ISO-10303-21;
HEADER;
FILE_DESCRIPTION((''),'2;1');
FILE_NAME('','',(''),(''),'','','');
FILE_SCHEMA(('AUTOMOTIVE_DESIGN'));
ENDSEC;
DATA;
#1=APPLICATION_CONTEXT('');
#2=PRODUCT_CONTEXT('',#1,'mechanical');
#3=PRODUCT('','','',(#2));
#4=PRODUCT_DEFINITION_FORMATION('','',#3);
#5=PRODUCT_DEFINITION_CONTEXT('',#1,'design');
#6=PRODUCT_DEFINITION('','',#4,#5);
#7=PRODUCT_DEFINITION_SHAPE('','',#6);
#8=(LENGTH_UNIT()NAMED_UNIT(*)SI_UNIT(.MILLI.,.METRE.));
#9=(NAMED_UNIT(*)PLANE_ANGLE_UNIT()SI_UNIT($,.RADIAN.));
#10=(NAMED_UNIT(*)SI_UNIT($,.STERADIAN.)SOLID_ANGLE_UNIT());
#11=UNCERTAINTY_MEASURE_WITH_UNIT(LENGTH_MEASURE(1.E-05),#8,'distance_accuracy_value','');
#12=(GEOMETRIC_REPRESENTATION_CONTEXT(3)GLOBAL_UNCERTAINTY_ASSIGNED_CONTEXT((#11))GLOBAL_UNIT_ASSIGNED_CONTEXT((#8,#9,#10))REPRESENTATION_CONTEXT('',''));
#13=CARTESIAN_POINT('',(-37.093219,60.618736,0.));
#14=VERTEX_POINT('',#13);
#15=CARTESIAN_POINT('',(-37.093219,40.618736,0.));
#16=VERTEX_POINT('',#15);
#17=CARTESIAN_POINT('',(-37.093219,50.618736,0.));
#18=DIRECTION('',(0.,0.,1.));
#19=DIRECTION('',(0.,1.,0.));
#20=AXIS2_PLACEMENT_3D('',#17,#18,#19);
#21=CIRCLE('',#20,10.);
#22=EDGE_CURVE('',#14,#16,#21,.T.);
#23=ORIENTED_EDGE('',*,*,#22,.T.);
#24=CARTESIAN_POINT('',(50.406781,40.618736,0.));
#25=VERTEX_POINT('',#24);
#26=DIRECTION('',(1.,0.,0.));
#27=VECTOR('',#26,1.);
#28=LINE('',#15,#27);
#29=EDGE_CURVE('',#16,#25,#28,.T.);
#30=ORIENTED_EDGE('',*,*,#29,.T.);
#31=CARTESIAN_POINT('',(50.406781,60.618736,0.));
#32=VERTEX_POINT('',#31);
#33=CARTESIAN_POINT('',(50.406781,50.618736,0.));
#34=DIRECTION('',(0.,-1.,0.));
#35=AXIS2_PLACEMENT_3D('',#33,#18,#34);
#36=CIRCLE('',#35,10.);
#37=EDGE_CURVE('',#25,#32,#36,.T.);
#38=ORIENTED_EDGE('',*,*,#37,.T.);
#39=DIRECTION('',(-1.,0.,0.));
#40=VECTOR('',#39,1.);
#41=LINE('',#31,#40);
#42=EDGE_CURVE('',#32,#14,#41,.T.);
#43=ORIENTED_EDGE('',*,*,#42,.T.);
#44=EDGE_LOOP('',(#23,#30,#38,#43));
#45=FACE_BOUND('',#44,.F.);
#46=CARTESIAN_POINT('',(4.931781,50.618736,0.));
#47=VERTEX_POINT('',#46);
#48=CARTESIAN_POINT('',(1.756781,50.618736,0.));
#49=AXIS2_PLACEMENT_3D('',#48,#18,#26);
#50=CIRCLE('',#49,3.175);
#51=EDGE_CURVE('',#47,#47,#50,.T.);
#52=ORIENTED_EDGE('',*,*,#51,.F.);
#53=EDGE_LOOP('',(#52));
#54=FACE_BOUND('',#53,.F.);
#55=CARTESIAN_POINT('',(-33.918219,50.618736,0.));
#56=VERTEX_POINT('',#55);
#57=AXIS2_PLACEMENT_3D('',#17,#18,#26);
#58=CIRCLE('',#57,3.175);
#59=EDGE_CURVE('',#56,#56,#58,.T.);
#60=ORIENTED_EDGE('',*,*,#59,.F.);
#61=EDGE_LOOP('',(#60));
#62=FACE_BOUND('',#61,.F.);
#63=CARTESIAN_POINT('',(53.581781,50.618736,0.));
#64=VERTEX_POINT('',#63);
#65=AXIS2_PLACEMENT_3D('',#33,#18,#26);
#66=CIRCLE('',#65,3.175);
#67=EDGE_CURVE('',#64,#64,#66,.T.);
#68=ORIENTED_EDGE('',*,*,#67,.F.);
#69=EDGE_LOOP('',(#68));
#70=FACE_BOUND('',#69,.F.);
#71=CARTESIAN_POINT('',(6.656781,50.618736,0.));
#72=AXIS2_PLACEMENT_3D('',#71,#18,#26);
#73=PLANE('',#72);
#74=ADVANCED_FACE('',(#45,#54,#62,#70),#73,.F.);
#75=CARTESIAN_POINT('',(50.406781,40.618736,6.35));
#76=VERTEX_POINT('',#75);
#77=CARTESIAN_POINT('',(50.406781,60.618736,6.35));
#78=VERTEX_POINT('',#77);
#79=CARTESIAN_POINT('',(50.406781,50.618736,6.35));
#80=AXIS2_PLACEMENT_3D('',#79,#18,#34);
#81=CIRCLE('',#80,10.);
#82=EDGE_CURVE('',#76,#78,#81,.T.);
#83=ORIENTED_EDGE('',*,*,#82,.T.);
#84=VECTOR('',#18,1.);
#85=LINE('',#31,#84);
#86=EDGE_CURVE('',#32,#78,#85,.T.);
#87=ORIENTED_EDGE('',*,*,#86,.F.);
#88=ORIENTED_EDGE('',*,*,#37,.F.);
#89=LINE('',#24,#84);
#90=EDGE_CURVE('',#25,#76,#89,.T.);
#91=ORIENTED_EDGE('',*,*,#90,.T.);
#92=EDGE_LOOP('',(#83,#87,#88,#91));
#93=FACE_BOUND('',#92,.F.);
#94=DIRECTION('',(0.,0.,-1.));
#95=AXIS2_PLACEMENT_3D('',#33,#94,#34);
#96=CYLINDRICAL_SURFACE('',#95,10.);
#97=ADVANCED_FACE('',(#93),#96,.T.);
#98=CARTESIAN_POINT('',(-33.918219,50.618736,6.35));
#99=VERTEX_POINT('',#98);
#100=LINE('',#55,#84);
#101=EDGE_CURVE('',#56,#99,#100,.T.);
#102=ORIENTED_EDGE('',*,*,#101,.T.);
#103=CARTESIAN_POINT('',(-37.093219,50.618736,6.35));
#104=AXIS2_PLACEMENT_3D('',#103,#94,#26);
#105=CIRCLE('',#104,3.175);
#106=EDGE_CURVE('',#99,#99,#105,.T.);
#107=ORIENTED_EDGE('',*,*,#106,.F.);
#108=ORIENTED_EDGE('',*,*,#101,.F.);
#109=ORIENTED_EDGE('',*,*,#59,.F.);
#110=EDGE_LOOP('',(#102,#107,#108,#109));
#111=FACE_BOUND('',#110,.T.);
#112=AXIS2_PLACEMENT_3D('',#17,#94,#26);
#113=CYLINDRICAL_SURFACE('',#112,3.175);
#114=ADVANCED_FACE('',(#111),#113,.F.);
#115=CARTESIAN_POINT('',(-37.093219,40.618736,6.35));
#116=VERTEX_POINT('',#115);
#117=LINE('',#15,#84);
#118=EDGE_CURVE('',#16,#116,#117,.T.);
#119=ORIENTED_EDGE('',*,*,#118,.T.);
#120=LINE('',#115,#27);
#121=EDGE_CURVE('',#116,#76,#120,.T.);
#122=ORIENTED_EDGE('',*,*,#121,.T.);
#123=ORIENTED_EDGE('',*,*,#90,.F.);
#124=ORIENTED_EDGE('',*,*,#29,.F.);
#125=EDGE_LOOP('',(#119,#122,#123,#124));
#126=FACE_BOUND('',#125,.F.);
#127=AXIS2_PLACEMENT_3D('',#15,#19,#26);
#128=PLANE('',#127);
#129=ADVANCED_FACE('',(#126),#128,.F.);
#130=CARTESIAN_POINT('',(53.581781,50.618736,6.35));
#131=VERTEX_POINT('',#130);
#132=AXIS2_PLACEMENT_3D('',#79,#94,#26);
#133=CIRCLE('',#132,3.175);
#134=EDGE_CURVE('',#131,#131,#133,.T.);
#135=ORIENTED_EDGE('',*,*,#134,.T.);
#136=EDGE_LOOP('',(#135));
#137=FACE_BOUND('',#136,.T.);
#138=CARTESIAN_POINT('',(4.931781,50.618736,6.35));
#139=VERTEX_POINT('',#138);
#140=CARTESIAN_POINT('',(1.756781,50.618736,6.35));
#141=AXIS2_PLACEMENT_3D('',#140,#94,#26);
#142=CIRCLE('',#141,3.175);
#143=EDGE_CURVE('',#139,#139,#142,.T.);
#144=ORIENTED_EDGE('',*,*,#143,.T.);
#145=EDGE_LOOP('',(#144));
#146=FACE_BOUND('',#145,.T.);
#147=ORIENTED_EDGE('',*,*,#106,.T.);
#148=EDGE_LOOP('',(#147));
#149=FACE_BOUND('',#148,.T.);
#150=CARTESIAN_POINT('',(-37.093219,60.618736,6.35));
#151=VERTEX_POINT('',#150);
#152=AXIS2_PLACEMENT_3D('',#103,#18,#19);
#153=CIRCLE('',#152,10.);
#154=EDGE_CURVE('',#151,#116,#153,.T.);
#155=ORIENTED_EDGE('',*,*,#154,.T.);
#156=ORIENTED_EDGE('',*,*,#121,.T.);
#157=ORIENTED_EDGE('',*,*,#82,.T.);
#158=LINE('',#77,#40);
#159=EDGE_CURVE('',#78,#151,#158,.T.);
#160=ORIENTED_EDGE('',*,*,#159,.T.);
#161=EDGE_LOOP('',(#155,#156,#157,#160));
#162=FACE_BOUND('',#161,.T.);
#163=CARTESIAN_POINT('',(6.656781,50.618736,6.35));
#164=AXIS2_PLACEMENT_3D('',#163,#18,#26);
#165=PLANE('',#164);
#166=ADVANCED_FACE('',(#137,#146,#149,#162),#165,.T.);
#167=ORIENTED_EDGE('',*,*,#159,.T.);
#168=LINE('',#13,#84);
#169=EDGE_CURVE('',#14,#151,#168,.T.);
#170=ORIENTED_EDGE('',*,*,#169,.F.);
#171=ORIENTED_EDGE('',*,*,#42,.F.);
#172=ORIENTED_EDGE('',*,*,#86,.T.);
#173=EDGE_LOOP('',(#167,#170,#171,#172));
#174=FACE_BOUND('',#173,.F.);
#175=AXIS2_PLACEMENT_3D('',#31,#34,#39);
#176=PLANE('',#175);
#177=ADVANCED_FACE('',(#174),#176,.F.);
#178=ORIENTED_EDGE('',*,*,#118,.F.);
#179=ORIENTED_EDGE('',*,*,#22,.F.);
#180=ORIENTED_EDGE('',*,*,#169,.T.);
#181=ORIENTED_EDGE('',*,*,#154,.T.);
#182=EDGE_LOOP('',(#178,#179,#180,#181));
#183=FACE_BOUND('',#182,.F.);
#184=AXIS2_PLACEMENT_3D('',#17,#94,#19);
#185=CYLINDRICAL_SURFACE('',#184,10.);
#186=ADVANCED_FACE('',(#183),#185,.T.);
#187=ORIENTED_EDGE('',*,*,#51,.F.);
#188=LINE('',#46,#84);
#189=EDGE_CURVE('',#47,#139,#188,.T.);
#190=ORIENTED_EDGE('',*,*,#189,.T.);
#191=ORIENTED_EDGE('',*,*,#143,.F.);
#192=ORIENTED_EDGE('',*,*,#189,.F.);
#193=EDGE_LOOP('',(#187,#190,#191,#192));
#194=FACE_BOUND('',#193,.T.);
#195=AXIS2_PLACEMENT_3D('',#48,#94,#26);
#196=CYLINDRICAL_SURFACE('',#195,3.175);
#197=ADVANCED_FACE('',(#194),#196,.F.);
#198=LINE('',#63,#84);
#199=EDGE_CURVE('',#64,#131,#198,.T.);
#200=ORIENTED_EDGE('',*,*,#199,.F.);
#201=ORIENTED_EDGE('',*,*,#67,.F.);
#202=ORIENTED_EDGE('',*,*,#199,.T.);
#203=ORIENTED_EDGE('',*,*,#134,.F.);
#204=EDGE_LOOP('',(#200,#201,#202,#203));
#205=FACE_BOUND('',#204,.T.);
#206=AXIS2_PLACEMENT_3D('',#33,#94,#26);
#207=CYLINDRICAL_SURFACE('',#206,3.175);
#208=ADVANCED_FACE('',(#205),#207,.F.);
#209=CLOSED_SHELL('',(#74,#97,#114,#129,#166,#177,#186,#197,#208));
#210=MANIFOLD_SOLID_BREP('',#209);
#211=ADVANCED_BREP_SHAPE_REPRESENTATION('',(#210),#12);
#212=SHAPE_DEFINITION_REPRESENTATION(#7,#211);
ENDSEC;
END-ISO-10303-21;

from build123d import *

# Parameters (mm, degrees)
F2_DEPTH = 6.35
F1_R     = 3.175
F3_DEPTH = 6.351


with BuildPart() as f2:
    # F0 (on Top) → F2 (new body)
    with BuildSketch(Plane.XY):
        with BuildLine():
            ThreePointArc((-37.093219, 60.618736), (-47.093219, 50.618736), (-37.093219, 40.618736))
            Line((-37.093219, 40.618736), (50.406781, 40.618736))
            ThreePointArc((50.406781, 40.618736), (60.406781, 50.618736), (50.406781, 60.618736))
            Line((50.406781, 60.618736), (-37.093219, 60.618736))
        make_face()
    extrude(amount=F2_DEPTH)

    # F1 (on face) → F3 (cut, through all)
    with BuildSketch(Plane.XY):
        with Locations((-37.093219, 50.618736)):
            Circle(F1_R)
        with Locations((50.406781, 50.618736)):
            Circle(F1_R)
        with Locations((1.756781, 50.618736)):
            Circle(F1_R)
    extrude(amount=F3_DEPTH, mode=Mode.SUBTRACT)


solid = f2.part
